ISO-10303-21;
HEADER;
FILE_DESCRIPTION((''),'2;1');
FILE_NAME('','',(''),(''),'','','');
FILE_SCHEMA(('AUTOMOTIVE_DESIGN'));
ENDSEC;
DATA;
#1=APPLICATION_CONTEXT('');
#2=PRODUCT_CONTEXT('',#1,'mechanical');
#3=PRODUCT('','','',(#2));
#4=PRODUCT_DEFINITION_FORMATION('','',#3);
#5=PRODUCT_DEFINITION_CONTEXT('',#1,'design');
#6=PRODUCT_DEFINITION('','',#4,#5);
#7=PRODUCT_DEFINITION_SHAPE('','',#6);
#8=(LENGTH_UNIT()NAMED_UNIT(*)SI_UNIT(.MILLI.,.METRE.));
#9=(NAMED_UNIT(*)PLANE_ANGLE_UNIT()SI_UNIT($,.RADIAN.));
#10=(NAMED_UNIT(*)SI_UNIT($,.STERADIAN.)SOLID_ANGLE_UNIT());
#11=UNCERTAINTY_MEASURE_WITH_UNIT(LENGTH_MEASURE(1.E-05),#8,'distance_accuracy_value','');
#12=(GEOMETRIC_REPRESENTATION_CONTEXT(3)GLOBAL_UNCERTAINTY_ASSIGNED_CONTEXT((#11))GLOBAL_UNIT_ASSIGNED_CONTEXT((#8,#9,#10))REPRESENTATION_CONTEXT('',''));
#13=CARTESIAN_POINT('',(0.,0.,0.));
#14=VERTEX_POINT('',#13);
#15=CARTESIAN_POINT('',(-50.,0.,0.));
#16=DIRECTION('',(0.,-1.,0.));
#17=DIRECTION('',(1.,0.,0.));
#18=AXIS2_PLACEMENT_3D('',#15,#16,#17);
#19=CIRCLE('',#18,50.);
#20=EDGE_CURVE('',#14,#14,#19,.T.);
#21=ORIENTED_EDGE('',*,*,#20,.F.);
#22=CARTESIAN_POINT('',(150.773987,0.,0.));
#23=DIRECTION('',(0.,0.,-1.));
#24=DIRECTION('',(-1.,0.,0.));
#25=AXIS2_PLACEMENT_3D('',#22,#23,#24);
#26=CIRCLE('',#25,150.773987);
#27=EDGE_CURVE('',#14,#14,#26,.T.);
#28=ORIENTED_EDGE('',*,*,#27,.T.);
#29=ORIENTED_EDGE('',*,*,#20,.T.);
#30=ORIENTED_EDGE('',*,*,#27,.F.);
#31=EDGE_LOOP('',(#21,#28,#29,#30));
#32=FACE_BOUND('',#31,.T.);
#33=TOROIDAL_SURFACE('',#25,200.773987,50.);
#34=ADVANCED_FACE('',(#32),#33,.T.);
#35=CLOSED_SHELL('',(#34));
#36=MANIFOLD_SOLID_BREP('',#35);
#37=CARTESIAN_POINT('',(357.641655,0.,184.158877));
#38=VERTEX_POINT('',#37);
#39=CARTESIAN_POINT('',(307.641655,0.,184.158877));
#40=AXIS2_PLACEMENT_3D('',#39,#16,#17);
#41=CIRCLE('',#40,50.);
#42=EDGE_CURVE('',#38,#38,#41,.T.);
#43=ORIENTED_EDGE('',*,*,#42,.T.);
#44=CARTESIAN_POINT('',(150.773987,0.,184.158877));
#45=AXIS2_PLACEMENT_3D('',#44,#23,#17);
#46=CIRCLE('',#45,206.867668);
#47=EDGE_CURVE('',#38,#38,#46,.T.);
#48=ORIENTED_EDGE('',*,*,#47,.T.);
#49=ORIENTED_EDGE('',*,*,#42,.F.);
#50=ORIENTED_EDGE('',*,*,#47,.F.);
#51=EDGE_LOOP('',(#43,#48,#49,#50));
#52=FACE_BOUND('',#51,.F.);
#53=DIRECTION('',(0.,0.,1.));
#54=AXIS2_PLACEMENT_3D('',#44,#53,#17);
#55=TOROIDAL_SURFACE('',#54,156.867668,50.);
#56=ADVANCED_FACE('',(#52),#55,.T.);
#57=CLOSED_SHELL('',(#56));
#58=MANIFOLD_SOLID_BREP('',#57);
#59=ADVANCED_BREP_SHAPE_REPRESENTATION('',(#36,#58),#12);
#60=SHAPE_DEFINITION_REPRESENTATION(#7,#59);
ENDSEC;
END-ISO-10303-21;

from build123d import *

# Parameters (mm, degrees)
F0_R = 50


with BuildPart() as f1:
    # F0 (on Front) → F1 (revolve)
    with BuildSketch(Plane.XZ):
        with Locations((-50, 0)):
            Circle(F0_R)
        with Locations((307.641655, 184.158877)):
            Circle(F0_R)
    revolve(axis=Axis((150.773987, 0, -12.218025), (0, 0, -1)))


solid = f1.part
